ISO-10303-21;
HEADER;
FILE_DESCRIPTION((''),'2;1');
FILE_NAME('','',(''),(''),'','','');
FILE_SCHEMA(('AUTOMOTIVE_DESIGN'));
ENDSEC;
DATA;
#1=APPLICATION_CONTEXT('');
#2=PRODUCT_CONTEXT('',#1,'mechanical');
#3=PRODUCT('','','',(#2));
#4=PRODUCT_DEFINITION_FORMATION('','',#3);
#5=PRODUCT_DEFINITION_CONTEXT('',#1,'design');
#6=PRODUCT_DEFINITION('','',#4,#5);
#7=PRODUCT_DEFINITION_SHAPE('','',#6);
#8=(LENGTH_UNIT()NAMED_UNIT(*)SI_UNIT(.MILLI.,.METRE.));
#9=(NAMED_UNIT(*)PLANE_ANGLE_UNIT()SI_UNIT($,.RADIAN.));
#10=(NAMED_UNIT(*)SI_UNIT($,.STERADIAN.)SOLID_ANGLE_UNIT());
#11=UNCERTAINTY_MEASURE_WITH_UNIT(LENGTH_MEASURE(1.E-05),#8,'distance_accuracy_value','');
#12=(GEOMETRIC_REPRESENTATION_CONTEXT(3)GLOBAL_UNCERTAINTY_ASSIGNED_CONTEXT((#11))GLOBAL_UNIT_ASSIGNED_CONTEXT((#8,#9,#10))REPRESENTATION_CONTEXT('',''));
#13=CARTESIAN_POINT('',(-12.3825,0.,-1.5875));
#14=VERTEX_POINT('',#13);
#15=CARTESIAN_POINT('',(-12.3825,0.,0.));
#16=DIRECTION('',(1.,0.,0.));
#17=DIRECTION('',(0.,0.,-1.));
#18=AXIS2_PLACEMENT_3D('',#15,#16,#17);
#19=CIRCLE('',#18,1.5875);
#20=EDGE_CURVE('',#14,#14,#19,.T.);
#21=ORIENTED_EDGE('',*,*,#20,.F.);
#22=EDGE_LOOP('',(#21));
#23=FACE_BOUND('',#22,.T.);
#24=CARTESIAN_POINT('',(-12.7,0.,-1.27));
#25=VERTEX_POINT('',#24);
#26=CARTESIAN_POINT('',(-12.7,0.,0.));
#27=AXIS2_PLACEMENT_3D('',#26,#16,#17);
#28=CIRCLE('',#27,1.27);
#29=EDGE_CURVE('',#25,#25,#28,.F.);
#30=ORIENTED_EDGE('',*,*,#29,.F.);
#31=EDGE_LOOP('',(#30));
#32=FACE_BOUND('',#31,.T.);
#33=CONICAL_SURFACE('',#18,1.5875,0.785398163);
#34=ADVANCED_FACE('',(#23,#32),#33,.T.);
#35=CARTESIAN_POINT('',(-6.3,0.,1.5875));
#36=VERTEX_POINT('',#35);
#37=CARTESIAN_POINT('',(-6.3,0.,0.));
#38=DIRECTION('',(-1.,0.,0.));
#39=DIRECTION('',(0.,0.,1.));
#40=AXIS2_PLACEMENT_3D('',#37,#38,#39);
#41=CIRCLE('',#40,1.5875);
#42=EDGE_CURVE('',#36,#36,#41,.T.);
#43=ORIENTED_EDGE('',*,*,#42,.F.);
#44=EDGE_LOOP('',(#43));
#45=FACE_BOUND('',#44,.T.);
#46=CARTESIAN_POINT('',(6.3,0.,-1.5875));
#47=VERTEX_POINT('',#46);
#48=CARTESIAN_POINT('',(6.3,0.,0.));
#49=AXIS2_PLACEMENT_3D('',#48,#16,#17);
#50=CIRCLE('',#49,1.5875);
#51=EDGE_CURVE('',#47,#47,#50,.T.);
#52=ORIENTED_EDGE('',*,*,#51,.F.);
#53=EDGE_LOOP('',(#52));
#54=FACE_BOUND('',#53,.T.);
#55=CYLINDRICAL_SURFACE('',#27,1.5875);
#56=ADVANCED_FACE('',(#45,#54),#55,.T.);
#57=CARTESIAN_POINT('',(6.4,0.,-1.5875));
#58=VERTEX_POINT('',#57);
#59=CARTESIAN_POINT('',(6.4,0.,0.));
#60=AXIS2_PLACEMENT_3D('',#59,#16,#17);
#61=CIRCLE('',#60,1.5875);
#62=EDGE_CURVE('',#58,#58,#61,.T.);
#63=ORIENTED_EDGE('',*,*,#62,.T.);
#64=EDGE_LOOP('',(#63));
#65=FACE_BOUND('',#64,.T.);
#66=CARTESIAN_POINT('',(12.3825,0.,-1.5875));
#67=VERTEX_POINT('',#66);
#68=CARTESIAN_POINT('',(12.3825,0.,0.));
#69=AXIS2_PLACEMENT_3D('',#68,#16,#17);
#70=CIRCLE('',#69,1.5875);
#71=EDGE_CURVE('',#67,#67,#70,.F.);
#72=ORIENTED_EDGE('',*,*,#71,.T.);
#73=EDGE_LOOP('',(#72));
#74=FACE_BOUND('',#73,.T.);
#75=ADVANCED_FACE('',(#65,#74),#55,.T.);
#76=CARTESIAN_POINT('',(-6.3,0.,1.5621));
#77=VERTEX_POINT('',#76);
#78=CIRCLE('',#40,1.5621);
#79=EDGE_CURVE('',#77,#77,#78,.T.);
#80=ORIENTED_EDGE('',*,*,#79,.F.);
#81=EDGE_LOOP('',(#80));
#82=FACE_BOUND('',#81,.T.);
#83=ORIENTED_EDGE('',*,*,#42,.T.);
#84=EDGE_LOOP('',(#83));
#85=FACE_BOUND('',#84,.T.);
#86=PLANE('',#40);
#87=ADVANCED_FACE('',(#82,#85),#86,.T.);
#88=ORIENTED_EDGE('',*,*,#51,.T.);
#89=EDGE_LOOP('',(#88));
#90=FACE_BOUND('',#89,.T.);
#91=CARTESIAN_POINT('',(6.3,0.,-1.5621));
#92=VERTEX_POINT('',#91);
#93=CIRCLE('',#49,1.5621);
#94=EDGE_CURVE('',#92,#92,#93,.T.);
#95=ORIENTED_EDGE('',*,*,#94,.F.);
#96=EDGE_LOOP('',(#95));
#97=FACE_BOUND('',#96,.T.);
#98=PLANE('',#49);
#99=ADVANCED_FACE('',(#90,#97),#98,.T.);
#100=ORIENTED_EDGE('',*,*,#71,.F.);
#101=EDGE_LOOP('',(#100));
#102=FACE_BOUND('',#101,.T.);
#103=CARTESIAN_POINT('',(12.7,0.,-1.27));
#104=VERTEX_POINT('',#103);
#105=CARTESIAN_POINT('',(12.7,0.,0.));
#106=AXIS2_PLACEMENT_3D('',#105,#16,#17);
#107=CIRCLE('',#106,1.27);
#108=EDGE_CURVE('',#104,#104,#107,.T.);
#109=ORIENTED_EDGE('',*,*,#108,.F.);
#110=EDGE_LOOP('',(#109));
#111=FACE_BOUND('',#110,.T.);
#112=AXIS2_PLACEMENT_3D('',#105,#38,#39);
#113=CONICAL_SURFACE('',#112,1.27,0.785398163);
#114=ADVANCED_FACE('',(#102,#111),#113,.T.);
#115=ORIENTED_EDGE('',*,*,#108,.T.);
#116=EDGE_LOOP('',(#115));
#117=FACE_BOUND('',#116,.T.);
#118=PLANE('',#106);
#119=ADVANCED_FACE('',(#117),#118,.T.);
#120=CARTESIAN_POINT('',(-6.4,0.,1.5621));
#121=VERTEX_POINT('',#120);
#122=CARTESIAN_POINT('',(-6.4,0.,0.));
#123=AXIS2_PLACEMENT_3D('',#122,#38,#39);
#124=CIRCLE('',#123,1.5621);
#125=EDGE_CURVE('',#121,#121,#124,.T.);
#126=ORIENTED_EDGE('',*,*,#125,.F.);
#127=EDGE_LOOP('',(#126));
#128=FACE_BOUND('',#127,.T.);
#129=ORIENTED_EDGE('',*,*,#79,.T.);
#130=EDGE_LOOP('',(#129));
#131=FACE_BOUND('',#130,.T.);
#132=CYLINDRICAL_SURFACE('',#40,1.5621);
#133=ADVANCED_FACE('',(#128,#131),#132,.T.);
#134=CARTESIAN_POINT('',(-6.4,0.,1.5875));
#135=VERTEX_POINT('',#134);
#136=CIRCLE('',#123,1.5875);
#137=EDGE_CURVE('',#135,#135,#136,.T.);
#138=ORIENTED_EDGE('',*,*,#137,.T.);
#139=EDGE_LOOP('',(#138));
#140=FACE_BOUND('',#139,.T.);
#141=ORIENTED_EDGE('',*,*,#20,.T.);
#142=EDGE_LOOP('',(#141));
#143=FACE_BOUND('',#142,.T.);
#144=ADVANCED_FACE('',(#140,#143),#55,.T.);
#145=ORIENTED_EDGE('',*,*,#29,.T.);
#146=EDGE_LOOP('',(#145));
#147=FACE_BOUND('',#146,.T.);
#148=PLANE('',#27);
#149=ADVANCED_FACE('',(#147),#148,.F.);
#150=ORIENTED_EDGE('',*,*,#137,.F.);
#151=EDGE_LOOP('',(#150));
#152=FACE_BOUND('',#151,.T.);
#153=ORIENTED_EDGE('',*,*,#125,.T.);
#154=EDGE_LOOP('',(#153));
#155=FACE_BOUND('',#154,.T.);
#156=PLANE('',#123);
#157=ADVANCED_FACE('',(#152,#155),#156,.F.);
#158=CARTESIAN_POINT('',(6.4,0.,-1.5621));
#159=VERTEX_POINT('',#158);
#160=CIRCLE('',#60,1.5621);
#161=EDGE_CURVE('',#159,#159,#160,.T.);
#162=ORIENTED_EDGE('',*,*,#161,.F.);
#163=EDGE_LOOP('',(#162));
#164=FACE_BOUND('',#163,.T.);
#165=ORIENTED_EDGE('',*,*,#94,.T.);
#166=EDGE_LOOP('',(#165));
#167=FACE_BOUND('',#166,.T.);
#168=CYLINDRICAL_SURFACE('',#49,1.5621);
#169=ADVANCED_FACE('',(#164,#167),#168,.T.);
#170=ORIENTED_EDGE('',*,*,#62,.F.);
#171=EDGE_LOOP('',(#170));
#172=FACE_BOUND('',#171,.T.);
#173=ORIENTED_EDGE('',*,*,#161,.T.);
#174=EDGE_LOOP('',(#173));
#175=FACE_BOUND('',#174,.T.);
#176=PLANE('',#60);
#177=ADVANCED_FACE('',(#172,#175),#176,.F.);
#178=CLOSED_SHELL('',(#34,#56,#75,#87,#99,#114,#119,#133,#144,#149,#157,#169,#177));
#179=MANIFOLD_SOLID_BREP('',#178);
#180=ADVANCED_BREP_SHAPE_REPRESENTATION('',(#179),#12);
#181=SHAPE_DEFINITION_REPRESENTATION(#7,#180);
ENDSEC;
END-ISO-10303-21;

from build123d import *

# Parameters (mm, degrees)
SKETCH2_R           = 1.5875
EXTRUDE1_DEPTH      = 12.7
EXTRUDE1_DEPTH_BACK = 12.7
CHAMFER1_SIZE       = 0.3175
SKETCH4_R           = 1.5875
SKETCH4_R_2         = 1.5621
CUT_EXTRUDE2_DEPTH  = 0.05
SKETCH5_R           = 1.5875
SKETCH5_R_2         = 1.5621
CUT_EXTRUDE3_DEPTH  = 0.05


with BuildPart() as part:
    # Sketch2 → Extrude1 (new body, two sides)
    with BuildSketch(Plane(origin=(0, 0, 0), x_dir=(0, 0, -1), z_dir=(1, 0, 0))) as extrude1_sk:
        Circle(SKETCH2_R)
    extrude(amount=EXTRUDE1_DEPTH)
    extrude(extrude1_sk.sketch, amount=-EXTRUDE1_DEPTH_BACK)

    # Chamfer1
    chamfer1_edges = [part.edges().sort_by_distance(p)[0] for p in [
        (-12.7, 0, 1.5875),
        (12.7, 0, 1.5875),
    ]]
    chamfer(chamfer1_edges, length=CHAMFER1_SIZE)

    # Sketch4 → Cut-Extrude2 (cut, symmetric)
    with BuildSketch(Plane.ZY.offset(6.35)):
        Circle(SKETCH4_R)
        Circle(SKETCH4_R_2, mode=Mode.SUBTRACT)
    extrude(amount=CUT_EXTRUDE2_DEPTH, both=True, mode=Mode.SUBTRACT)

    # Sketch5 → Cut-Extrude3 (cut, symmetric)
    with BuildSketch(Plane(origin=(6.35, 0, 0), x_dir=(0, 0, -1), z_dir=(1, 0, 0))):
        Circle(SKETCH5_R)
        Circle(SKETCH5_R_2, mode=Mode.SUBTRACT)
    extrude(amount=CUT_EXTRUDE3_DEPTH, both=True, mode=Mode.SUBTRACT)


solid = part.part
